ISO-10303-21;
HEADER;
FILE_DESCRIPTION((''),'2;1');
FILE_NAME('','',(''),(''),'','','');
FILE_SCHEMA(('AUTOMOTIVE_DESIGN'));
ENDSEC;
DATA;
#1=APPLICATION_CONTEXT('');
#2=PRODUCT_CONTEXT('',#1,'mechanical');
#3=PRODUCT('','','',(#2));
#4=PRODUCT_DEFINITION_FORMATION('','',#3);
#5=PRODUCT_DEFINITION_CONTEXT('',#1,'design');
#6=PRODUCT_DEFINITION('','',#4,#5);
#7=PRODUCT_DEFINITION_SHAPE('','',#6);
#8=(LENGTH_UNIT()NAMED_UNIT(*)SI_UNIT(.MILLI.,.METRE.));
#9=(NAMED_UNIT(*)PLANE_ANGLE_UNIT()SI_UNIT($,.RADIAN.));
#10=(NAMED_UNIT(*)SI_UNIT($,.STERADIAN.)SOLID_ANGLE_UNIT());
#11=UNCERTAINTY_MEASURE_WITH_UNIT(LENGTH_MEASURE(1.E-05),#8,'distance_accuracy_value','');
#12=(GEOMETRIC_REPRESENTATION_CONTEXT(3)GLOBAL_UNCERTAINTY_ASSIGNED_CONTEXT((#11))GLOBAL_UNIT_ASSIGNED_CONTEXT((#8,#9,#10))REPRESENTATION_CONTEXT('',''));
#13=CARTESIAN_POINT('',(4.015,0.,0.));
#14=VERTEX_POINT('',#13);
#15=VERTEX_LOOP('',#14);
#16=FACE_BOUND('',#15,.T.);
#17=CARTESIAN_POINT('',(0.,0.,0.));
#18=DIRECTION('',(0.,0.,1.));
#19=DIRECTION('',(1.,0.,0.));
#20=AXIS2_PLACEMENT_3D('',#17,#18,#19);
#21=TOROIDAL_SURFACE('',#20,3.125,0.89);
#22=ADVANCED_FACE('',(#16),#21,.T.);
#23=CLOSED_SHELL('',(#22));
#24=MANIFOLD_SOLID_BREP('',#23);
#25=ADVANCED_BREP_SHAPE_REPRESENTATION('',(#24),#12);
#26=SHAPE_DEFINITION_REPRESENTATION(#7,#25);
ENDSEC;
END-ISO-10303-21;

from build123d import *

# Parameters (mm, degrees)
SKETCH1_R = 0.89


with BuildPart() as part:
    # Sketch1 → Revolve1 (revolve)
    with BuildSketch(Plane(origin=(0, 0, 0), x_dir=(1, 0, 0), z_dir=(0, 1, 0))):
        with Locations((3.125, 0)):
            Circle(SKETCH1_R)
    revolve(axis=Axis((0, 0, 0), (0, 0, -1)))


solid = part.part
